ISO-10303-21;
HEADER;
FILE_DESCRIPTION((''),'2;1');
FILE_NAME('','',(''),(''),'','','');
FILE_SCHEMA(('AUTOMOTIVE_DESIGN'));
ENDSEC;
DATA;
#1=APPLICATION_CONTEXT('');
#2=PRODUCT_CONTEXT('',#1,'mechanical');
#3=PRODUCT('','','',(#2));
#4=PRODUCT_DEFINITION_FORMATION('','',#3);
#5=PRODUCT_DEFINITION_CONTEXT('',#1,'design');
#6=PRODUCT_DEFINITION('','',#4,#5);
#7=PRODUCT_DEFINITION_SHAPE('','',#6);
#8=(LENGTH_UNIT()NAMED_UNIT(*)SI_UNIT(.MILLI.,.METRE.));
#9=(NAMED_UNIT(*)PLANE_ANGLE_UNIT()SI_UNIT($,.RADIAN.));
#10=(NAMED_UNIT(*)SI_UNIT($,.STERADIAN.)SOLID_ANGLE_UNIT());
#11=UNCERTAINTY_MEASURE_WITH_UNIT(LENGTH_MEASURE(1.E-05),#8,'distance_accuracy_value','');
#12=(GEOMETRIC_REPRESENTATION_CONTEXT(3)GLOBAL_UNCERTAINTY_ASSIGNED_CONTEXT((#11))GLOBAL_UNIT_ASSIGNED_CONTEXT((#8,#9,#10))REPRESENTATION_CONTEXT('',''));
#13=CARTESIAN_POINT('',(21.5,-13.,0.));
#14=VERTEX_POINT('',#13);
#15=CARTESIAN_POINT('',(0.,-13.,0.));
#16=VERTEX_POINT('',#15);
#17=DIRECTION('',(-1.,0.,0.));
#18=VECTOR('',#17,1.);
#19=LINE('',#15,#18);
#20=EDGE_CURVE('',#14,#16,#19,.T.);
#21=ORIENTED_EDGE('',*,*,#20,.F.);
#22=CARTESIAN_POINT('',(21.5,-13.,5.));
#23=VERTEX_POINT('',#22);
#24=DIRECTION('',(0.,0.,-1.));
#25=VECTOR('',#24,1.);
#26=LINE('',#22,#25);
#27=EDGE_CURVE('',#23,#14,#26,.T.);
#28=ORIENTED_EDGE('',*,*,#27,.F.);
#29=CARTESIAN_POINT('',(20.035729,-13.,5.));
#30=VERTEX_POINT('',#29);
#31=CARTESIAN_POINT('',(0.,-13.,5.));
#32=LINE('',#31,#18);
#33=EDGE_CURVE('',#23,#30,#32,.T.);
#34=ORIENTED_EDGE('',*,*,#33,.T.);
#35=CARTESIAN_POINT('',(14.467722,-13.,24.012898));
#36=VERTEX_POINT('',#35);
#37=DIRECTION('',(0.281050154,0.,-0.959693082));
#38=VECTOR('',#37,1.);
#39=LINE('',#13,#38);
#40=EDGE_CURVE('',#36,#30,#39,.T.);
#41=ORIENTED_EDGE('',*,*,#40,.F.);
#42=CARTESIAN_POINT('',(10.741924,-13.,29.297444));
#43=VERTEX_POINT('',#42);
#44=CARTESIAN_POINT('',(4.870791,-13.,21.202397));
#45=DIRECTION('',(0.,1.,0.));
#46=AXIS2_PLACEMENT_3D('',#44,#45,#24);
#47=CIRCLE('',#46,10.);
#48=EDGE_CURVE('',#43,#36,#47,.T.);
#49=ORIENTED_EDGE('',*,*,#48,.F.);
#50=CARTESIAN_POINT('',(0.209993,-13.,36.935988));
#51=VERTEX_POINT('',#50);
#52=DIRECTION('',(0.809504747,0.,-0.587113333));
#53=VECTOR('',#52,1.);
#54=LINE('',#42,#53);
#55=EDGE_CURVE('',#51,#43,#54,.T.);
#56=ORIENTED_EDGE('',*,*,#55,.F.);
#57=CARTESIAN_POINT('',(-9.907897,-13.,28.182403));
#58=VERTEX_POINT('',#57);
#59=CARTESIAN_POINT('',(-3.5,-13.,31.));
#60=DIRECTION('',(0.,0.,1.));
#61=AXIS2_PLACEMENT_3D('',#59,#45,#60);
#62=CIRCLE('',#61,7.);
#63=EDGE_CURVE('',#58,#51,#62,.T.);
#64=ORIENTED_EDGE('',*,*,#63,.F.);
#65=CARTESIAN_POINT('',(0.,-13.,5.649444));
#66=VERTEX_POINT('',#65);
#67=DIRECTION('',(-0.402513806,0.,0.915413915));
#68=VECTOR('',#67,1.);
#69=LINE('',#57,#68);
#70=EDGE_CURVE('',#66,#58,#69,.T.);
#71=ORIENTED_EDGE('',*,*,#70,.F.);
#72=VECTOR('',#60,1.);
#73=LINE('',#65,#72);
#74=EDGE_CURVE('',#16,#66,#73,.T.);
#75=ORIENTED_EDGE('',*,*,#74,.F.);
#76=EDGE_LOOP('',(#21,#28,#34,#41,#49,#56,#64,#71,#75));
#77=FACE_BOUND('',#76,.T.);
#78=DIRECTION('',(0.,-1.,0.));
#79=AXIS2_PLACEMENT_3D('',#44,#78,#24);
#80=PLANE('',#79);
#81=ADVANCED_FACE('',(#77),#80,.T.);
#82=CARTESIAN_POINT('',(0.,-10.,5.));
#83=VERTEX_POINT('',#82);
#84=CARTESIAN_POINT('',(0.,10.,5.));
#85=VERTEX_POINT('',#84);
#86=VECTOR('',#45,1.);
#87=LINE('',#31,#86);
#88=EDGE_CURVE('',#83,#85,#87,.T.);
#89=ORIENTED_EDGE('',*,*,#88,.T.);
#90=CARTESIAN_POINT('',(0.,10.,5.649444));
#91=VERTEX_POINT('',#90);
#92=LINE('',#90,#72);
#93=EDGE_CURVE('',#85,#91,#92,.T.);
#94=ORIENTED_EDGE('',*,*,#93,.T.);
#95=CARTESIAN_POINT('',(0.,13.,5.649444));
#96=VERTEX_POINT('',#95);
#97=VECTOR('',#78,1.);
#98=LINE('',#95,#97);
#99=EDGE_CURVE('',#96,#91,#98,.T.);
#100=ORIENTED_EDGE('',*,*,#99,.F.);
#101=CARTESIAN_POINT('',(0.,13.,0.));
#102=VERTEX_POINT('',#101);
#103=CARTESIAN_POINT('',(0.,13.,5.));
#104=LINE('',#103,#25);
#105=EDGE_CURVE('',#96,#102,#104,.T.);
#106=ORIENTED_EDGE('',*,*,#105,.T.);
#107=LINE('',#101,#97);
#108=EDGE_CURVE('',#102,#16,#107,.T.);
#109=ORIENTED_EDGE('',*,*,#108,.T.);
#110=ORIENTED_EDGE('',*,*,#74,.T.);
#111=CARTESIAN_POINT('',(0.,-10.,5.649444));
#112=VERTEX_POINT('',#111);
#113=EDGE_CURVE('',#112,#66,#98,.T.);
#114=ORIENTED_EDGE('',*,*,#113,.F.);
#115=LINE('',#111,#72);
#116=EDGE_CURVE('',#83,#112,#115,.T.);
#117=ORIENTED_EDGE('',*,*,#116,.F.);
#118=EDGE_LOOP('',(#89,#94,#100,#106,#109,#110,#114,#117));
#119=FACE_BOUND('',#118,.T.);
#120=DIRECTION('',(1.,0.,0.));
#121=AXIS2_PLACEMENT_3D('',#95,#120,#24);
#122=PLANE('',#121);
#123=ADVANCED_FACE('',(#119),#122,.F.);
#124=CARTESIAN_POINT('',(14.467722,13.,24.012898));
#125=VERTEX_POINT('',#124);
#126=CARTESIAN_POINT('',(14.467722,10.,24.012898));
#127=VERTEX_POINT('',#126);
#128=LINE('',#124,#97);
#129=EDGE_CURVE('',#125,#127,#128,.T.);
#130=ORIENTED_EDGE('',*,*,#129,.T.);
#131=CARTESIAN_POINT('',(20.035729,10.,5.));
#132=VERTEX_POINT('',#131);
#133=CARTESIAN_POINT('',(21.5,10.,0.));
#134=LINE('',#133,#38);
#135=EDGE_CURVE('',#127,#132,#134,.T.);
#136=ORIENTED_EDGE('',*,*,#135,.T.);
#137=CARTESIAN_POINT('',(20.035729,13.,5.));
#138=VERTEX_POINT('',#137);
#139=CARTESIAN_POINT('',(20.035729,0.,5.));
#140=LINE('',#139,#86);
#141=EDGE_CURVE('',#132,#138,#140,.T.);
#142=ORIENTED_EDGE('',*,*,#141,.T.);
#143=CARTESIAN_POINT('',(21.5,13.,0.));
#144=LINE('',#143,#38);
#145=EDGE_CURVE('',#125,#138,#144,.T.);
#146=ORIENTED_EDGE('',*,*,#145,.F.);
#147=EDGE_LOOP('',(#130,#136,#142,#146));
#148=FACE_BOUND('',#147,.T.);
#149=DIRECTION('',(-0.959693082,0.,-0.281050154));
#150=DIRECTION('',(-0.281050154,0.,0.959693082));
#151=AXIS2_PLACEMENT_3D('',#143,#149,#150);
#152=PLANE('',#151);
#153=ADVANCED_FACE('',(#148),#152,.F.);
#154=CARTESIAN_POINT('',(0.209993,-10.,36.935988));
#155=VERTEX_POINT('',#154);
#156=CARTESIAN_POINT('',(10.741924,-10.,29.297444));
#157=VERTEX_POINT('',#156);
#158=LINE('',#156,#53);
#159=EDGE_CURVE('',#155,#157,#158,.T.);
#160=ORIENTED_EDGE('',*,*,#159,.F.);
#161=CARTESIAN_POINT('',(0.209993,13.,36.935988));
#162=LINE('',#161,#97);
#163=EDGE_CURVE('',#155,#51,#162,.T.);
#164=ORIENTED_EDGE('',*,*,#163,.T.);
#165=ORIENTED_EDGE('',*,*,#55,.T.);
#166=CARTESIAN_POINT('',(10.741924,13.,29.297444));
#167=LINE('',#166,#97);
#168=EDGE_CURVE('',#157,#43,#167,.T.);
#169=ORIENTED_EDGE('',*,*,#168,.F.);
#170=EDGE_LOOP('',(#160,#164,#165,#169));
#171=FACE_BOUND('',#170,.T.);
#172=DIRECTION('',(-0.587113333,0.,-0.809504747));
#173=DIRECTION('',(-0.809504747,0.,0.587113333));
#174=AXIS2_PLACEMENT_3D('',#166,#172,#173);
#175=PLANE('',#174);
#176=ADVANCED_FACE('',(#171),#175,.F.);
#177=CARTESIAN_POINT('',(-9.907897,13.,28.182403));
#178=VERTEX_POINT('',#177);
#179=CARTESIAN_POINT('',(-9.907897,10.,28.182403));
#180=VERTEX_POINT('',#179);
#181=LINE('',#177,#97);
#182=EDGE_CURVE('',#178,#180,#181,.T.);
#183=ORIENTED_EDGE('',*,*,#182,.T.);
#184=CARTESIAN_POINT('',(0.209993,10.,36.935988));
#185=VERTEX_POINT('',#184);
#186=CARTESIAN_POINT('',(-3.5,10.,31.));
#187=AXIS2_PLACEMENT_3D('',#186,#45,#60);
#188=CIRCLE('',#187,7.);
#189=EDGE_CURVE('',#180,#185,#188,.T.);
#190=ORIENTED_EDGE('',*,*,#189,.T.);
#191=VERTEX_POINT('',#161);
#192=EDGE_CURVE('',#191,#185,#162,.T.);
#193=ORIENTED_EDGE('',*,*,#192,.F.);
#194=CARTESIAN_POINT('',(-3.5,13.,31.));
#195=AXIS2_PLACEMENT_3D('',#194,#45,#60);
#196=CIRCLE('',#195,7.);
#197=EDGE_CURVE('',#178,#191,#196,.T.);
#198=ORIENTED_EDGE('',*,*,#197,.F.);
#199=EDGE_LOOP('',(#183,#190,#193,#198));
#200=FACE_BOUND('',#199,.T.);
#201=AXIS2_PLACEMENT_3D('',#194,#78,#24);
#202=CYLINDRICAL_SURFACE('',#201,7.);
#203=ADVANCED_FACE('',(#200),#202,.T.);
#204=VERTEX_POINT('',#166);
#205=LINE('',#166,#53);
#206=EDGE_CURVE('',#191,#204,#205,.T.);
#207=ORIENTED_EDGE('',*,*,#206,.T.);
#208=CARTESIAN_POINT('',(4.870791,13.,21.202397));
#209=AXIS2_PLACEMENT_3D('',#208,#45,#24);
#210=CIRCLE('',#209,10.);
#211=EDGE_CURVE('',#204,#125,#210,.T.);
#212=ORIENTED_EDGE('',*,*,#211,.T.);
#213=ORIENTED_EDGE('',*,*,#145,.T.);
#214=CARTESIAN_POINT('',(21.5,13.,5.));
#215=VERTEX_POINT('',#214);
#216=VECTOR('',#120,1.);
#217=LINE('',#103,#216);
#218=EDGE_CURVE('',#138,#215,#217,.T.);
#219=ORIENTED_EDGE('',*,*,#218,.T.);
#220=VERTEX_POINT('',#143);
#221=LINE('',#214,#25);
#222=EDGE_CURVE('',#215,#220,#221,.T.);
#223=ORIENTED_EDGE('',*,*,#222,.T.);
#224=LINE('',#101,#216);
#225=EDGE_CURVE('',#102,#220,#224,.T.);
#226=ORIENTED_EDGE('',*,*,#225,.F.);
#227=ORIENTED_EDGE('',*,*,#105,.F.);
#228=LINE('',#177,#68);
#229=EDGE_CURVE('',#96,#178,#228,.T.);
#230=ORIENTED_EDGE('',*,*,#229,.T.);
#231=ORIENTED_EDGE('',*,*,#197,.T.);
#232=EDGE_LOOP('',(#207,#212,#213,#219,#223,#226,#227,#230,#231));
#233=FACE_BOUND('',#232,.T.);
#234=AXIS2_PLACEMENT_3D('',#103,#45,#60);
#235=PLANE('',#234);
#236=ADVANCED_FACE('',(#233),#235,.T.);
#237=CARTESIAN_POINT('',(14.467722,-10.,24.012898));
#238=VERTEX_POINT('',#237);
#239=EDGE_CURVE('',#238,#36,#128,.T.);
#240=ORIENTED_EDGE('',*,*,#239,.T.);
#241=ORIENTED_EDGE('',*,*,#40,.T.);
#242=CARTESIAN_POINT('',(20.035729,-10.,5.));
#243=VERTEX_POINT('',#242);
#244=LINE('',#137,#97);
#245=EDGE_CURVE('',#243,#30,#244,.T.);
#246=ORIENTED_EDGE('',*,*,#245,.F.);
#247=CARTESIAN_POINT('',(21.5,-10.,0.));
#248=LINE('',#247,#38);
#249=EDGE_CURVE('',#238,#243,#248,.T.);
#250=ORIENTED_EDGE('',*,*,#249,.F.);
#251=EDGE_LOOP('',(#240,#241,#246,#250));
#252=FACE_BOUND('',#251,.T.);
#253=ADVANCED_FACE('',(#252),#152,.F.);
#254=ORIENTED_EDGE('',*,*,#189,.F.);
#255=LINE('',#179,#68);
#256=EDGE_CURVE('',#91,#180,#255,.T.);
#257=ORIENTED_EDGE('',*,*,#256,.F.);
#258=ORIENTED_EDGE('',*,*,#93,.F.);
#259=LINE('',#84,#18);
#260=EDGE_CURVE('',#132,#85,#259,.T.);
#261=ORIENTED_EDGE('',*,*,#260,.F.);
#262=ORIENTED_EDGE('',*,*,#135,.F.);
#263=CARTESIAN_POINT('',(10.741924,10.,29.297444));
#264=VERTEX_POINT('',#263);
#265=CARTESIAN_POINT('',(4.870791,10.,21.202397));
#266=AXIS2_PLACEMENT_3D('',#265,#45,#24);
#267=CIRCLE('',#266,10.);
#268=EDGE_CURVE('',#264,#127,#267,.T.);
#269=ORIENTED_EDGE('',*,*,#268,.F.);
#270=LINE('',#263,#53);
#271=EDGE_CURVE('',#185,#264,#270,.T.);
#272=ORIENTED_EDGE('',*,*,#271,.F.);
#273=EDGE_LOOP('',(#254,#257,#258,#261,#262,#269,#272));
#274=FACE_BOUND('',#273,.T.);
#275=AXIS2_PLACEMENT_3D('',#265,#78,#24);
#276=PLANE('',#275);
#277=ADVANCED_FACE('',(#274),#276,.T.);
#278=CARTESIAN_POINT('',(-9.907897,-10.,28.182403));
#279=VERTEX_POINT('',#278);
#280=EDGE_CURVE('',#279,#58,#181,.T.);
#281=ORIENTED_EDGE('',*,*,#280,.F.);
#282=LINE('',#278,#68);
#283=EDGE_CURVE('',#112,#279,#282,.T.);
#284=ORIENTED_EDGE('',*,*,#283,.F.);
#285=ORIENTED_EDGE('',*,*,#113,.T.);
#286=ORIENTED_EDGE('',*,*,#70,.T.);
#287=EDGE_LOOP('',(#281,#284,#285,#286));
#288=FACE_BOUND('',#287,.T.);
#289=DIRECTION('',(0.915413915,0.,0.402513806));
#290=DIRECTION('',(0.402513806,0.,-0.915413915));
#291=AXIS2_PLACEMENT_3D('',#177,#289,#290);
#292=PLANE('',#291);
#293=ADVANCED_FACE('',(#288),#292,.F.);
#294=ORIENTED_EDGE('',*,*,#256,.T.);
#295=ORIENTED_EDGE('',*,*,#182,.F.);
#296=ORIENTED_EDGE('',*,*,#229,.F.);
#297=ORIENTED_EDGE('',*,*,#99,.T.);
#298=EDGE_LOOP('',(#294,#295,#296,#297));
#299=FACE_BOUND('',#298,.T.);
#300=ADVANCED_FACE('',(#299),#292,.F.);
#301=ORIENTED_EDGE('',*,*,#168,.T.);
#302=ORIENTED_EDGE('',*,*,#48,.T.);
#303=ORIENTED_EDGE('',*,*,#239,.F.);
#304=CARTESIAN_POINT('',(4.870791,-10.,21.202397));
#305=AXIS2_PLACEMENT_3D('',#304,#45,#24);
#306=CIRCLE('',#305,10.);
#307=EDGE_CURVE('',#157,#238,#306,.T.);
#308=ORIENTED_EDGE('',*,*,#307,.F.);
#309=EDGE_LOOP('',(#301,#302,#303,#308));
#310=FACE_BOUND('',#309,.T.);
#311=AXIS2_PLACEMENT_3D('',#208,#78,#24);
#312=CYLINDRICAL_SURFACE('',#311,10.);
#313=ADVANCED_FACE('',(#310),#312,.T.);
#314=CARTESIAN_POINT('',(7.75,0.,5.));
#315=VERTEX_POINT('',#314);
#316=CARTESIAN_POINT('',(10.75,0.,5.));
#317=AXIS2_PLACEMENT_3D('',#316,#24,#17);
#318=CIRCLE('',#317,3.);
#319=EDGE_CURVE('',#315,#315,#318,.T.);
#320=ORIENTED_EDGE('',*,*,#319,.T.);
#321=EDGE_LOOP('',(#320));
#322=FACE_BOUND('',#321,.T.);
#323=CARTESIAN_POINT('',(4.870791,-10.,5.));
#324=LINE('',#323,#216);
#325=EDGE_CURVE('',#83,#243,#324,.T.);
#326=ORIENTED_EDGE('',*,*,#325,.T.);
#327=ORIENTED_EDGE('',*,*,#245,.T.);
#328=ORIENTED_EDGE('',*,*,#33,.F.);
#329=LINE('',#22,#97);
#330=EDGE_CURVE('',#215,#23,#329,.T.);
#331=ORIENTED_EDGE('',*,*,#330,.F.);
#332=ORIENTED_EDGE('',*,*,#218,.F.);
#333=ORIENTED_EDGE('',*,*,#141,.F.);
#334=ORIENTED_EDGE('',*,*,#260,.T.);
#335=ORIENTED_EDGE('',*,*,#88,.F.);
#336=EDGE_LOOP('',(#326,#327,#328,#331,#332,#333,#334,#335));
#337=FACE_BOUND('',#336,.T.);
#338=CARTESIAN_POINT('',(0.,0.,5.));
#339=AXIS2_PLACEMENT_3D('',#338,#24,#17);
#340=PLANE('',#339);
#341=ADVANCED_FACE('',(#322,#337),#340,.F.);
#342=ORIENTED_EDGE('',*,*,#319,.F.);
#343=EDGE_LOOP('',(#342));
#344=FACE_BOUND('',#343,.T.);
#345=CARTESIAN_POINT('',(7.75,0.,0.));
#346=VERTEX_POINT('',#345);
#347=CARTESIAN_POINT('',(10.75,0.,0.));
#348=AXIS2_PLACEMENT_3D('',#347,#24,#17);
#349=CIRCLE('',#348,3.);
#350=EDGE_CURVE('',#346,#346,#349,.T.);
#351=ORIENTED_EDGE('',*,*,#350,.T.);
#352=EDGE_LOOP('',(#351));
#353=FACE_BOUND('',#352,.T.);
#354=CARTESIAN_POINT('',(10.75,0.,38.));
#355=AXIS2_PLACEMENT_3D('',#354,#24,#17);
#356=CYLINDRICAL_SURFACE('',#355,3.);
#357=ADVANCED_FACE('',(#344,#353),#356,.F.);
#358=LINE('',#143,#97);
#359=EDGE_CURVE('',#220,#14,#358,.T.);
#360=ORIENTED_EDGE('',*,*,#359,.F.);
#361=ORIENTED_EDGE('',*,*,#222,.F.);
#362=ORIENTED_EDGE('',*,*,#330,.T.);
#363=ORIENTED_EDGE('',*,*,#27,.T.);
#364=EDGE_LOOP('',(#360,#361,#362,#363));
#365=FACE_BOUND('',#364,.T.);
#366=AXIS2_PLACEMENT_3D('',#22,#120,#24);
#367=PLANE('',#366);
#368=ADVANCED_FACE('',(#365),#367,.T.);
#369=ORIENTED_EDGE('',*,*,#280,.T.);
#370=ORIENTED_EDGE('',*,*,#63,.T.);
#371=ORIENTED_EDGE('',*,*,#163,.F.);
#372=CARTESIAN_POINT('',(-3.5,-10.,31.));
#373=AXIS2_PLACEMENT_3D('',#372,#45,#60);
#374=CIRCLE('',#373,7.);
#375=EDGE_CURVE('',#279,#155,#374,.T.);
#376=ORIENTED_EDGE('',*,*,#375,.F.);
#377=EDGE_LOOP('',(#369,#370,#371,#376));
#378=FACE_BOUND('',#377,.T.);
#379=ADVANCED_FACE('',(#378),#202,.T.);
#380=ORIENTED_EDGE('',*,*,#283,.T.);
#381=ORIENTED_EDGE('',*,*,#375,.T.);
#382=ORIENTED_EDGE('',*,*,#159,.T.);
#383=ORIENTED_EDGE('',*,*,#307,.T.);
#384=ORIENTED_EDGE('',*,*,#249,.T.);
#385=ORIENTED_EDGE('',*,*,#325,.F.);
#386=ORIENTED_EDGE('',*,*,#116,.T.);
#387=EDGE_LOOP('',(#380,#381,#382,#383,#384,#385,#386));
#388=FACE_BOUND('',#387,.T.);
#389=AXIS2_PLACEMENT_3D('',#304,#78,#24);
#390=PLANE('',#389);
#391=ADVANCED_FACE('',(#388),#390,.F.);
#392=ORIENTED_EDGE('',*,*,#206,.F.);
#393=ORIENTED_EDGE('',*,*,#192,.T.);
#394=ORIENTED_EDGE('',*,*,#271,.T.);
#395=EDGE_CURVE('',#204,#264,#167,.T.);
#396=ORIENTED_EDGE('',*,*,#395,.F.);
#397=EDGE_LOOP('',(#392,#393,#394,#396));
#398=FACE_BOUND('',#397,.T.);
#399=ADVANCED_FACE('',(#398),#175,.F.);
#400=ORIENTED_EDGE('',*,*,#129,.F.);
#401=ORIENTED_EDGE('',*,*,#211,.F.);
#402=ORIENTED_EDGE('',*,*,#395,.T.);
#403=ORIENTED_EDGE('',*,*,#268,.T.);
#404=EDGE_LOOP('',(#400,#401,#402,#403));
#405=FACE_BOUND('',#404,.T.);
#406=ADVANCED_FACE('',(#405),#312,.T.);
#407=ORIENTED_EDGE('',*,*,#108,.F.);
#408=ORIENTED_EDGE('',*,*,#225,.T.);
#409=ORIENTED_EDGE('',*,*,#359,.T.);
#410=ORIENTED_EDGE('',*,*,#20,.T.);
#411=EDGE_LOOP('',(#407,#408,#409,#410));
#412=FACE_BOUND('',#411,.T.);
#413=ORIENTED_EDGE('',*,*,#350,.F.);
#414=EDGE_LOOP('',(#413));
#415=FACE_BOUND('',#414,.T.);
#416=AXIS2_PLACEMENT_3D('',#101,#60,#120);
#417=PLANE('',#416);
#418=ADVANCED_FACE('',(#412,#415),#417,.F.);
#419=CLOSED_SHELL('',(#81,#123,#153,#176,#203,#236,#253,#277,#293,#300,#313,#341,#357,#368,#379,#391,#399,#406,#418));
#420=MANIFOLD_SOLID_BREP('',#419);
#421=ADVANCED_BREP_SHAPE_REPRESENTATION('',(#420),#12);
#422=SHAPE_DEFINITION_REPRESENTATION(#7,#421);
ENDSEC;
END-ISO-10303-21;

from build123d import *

# Parameters (mm, degrees)
BOSS_EXTRUDE1_DEPTH = 13
CUT_EXTRUDE1_DEPTH  = 10
SKETCH4_W           = 21.5
SKETCH4_H           = 26
BOSS_EXTRUDE2_DEPTH = 5
SKETCH5_R           = 3
CUT_EXTRUDE2_DEPTH  = 46.55491192


with BuildPart() as part:
    # Sketch1 → Boss-Extrude1 (new, symmetric)
    with BuildSketch(Plane(origin=(0, 0, 0), x_dir=(1, 0, 0), z_dir=(0, 1, 0))):
        with BuildLine():
            Line((0, 0), (21.5, 0))
            Line((21.5, 0), (14.467721765, -24.012898335))
            ThreePointArc((14.467721765, -24.012898335), (13.043725458, -26.964613514), (10.741924274, -29.297444262))
            Line((10.741924274, -29.297444262), (0.20999258, -36.935988128))
            ThreePointArc((0.20999258, -36.935988128), (-8.079954607, -36.293771416), (-9.907897405, -28.182403357))
            Line((-9.907897405, -28.182403357), (0, -5.649444205))
            Line((0, -5.649444205), (0, 0))
        make_face()
    extrude(amount=BOSS_EXTRUDE1_DEPTH, both=True)

    # Sketch1<2> → Cut-Extrude1 (cut, symmetric)
    with BuildSketch(Plane(origin=(0, 0, 0), x_dir=(1, 0, 0), z_dir=(0, 1, 0))):
        with BuildLine():
            Line((0, 0), (21.5, 0))
            Line((21.5, 0), (14.467721765, -24.012898335))
            ThreePointArc((14.467721765, -24.012898335), (13.043725458, -26.964613514), (10.741924274, -29.297444262))
            Line((10.741924274, -29.297444262), (0.20999258, -36.935988128))
            ThreePointArc((0.20999258, -36.935988128), (-8.079954607, -36.293771416), (-9.907897405, -28.182403357))
            Line((-9.907897405, -28.182403357), (0, -5.649444205))
            Line((0, -5.649444205), (0, 0))
        make_face()
    extrude(amount=CUT_EXTRUDE1_DEPTH, both=True, mode=Mode.SUBTRACT)


with BuildPart() as cut_extrude1_piece_1:
    # of the separate pieces the step leaves, piece 1, a body of its own (cut_extrude1_pieces)
    add(part.part.solids().sort_by_distance((10.741924274, -13, 29.297444262))[0])



with BuildPart() as cut_extrude1_piece_2:
    # of the separate pieces the step leaves, piece 2, a body of its own (cut_extrude1_pieces)
    add(part.part.solids().sort_by_distance((10.741924274, 10, 29.297444262))[0])


with BuildPart() as cut_extrude1_piece_1_1:
    add(cut_extrude1_piece_1.part)

    add(cut_extrude1_piece_2.part)  # Boss-Extrude2 merges Cut-Extrude1 piece 2
    # Sketch4 → Boss-Extrude2 (add)
    with BuildSketch(Plane(origin=(0, 0, 0), x_dir=(-1, 0, 0), z_dir=(0, 0, -1))):
        with Locations((-10.75, 0)):
            Rectangle(SKETCH4_W, SKETCH4_H)
    extrude(amount=-BOSS_EXTRUDE2_DEPTH)

    # Sketch5 → Cut-Extrude2 (cut, through all)
    with BuildSketch(Plane(origin=(0, 0, 0), x_dir=(-1, 0, 0), z_dir=(0, 0, -1))):
        with Locations((-10.75, 0)):
            Circle(SKETCH5_R)
    extrude(amount=-CUT_EXTRUDE2_DEPTH, mode=Mode.SUBTRACT)


solid = cut_extrude1_piece_1_1.part
